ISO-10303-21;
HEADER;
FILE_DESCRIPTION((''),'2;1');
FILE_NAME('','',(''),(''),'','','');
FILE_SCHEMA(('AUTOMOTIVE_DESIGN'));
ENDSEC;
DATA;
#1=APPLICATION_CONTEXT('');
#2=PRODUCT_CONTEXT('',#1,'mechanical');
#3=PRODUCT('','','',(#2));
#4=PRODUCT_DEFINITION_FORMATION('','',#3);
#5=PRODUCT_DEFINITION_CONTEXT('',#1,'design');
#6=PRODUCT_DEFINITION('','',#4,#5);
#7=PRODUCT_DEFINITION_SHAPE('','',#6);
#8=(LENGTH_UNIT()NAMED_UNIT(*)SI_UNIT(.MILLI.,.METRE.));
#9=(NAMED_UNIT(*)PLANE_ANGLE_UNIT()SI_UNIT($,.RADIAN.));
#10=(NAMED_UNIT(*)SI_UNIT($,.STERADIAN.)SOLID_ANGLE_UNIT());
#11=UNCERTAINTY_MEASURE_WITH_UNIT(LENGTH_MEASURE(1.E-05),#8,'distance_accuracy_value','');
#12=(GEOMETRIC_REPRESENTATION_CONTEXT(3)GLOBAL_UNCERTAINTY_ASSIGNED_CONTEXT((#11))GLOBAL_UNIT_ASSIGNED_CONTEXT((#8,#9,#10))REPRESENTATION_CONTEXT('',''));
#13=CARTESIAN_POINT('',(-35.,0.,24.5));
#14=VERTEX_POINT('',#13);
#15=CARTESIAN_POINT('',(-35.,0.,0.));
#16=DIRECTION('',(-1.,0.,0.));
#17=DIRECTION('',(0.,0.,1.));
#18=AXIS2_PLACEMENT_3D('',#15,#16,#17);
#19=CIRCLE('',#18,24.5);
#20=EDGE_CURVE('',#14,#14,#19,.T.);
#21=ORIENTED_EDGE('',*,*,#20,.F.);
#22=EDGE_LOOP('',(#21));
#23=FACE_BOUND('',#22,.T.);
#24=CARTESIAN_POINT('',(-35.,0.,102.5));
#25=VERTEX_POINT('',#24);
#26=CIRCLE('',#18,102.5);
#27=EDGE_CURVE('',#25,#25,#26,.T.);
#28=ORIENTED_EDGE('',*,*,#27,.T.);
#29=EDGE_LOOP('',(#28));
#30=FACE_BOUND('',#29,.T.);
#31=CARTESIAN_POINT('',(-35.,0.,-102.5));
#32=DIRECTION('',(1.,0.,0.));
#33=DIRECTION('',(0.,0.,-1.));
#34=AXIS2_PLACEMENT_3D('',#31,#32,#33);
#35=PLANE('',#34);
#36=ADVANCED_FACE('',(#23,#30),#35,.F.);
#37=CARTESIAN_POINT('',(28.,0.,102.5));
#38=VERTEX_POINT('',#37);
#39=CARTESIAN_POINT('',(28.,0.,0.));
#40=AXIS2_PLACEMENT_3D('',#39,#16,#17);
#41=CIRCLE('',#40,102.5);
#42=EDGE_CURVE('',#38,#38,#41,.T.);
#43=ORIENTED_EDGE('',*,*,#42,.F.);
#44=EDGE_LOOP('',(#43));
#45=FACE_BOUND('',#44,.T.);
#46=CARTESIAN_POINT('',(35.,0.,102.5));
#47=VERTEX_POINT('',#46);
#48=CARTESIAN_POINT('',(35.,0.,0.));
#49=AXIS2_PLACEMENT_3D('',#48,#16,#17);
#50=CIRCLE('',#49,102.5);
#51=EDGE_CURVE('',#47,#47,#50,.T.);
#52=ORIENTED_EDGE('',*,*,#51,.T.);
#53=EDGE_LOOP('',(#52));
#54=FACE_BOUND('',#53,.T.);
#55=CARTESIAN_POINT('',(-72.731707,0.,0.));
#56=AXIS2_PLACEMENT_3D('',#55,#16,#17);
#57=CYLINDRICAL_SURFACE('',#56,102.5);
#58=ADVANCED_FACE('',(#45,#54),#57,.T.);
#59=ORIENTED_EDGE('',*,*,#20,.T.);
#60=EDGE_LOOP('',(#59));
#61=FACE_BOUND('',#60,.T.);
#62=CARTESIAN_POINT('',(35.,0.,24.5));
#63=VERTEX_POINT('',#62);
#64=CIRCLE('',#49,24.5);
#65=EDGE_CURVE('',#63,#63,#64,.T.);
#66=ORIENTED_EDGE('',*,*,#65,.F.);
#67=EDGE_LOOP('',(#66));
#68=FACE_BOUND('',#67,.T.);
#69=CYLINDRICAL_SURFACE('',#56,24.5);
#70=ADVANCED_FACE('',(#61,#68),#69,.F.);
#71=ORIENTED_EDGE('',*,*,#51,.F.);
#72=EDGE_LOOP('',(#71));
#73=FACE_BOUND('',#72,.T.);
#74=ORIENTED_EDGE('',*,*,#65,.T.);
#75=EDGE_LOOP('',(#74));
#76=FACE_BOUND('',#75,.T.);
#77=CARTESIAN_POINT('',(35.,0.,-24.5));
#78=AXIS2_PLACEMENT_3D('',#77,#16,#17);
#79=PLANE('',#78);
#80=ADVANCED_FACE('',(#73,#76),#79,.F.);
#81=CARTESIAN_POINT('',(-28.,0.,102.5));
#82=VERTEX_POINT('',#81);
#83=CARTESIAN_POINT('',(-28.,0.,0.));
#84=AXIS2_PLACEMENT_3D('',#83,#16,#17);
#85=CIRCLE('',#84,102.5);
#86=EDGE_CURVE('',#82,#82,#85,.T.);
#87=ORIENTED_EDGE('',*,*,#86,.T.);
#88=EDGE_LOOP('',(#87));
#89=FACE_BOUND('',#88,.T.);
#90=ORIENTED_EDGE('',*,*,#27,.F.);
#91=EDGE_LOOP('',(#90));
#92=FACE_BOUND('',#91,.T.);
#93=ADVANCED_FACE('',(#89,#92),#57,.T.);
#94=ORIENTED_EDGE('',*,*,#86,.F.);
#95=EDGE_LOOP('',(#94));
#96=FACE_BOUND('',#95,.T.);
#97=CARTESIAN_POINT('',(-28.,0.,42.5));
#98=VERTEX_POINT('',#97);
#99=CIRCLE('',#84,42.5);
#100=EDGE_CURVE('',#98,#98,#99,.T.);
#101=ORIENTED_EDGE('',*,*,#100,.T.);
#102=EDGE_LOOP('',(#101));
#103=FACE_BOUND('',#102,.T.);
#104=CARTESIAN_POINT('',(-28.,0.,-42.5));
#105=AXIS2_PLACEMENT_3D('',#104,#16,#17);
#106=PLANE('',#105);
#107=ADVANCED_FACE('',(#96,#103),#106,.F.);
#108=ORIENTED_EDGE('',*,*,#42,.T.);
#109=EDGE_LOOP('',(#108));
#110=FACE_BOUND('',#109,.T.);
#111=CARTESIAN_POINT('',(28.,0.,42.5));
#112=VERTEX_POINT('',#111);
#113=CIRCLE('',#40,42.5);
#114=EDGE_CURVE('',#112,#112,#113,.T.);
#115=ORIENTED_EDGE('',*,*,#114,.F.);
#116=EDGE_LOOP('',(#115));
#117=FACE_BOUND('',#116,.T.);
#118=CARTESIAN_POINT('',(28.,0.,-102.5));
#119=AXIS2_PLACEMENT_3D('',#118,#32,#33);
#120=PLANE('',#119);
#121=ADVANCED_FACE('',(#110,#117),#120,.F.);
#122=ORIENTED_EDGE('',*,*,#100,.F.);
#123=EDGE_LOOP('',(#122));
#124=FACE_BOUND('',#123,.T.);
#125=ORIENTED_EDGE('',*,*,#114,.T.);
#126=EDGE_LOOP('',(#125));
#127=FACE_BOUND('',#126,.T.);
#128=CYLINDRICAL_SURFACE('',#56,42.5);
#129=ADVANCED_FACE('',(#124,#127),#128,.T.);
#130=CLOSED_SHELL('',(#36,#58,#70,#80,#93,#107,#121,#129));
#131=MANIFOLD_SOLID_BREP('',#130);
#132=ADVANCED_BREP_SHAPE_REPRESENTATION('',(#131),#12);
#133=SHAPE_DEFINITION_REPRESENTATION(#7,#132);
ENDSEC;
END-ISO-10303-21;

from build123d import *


with BuildPart() as part:
    # Esboço1 → Revolução1 (revolve)
    with BuildSketch(Plane(origin=(0, 0, 0), x_dir=(1, 0, 0), z_dir=(0, 1, 0))):
        Polygon((-35, 102.5), (-35, 24.5), (35, 24.5), (35, 102.5), (28, 102.5), (28, 42.5), (-28, 42.5), (-28, 102.5), align=None)
    revolve(axis=Axis((-72.731707317, 0, 0), (1, 0, 0)))


solid = part.part
